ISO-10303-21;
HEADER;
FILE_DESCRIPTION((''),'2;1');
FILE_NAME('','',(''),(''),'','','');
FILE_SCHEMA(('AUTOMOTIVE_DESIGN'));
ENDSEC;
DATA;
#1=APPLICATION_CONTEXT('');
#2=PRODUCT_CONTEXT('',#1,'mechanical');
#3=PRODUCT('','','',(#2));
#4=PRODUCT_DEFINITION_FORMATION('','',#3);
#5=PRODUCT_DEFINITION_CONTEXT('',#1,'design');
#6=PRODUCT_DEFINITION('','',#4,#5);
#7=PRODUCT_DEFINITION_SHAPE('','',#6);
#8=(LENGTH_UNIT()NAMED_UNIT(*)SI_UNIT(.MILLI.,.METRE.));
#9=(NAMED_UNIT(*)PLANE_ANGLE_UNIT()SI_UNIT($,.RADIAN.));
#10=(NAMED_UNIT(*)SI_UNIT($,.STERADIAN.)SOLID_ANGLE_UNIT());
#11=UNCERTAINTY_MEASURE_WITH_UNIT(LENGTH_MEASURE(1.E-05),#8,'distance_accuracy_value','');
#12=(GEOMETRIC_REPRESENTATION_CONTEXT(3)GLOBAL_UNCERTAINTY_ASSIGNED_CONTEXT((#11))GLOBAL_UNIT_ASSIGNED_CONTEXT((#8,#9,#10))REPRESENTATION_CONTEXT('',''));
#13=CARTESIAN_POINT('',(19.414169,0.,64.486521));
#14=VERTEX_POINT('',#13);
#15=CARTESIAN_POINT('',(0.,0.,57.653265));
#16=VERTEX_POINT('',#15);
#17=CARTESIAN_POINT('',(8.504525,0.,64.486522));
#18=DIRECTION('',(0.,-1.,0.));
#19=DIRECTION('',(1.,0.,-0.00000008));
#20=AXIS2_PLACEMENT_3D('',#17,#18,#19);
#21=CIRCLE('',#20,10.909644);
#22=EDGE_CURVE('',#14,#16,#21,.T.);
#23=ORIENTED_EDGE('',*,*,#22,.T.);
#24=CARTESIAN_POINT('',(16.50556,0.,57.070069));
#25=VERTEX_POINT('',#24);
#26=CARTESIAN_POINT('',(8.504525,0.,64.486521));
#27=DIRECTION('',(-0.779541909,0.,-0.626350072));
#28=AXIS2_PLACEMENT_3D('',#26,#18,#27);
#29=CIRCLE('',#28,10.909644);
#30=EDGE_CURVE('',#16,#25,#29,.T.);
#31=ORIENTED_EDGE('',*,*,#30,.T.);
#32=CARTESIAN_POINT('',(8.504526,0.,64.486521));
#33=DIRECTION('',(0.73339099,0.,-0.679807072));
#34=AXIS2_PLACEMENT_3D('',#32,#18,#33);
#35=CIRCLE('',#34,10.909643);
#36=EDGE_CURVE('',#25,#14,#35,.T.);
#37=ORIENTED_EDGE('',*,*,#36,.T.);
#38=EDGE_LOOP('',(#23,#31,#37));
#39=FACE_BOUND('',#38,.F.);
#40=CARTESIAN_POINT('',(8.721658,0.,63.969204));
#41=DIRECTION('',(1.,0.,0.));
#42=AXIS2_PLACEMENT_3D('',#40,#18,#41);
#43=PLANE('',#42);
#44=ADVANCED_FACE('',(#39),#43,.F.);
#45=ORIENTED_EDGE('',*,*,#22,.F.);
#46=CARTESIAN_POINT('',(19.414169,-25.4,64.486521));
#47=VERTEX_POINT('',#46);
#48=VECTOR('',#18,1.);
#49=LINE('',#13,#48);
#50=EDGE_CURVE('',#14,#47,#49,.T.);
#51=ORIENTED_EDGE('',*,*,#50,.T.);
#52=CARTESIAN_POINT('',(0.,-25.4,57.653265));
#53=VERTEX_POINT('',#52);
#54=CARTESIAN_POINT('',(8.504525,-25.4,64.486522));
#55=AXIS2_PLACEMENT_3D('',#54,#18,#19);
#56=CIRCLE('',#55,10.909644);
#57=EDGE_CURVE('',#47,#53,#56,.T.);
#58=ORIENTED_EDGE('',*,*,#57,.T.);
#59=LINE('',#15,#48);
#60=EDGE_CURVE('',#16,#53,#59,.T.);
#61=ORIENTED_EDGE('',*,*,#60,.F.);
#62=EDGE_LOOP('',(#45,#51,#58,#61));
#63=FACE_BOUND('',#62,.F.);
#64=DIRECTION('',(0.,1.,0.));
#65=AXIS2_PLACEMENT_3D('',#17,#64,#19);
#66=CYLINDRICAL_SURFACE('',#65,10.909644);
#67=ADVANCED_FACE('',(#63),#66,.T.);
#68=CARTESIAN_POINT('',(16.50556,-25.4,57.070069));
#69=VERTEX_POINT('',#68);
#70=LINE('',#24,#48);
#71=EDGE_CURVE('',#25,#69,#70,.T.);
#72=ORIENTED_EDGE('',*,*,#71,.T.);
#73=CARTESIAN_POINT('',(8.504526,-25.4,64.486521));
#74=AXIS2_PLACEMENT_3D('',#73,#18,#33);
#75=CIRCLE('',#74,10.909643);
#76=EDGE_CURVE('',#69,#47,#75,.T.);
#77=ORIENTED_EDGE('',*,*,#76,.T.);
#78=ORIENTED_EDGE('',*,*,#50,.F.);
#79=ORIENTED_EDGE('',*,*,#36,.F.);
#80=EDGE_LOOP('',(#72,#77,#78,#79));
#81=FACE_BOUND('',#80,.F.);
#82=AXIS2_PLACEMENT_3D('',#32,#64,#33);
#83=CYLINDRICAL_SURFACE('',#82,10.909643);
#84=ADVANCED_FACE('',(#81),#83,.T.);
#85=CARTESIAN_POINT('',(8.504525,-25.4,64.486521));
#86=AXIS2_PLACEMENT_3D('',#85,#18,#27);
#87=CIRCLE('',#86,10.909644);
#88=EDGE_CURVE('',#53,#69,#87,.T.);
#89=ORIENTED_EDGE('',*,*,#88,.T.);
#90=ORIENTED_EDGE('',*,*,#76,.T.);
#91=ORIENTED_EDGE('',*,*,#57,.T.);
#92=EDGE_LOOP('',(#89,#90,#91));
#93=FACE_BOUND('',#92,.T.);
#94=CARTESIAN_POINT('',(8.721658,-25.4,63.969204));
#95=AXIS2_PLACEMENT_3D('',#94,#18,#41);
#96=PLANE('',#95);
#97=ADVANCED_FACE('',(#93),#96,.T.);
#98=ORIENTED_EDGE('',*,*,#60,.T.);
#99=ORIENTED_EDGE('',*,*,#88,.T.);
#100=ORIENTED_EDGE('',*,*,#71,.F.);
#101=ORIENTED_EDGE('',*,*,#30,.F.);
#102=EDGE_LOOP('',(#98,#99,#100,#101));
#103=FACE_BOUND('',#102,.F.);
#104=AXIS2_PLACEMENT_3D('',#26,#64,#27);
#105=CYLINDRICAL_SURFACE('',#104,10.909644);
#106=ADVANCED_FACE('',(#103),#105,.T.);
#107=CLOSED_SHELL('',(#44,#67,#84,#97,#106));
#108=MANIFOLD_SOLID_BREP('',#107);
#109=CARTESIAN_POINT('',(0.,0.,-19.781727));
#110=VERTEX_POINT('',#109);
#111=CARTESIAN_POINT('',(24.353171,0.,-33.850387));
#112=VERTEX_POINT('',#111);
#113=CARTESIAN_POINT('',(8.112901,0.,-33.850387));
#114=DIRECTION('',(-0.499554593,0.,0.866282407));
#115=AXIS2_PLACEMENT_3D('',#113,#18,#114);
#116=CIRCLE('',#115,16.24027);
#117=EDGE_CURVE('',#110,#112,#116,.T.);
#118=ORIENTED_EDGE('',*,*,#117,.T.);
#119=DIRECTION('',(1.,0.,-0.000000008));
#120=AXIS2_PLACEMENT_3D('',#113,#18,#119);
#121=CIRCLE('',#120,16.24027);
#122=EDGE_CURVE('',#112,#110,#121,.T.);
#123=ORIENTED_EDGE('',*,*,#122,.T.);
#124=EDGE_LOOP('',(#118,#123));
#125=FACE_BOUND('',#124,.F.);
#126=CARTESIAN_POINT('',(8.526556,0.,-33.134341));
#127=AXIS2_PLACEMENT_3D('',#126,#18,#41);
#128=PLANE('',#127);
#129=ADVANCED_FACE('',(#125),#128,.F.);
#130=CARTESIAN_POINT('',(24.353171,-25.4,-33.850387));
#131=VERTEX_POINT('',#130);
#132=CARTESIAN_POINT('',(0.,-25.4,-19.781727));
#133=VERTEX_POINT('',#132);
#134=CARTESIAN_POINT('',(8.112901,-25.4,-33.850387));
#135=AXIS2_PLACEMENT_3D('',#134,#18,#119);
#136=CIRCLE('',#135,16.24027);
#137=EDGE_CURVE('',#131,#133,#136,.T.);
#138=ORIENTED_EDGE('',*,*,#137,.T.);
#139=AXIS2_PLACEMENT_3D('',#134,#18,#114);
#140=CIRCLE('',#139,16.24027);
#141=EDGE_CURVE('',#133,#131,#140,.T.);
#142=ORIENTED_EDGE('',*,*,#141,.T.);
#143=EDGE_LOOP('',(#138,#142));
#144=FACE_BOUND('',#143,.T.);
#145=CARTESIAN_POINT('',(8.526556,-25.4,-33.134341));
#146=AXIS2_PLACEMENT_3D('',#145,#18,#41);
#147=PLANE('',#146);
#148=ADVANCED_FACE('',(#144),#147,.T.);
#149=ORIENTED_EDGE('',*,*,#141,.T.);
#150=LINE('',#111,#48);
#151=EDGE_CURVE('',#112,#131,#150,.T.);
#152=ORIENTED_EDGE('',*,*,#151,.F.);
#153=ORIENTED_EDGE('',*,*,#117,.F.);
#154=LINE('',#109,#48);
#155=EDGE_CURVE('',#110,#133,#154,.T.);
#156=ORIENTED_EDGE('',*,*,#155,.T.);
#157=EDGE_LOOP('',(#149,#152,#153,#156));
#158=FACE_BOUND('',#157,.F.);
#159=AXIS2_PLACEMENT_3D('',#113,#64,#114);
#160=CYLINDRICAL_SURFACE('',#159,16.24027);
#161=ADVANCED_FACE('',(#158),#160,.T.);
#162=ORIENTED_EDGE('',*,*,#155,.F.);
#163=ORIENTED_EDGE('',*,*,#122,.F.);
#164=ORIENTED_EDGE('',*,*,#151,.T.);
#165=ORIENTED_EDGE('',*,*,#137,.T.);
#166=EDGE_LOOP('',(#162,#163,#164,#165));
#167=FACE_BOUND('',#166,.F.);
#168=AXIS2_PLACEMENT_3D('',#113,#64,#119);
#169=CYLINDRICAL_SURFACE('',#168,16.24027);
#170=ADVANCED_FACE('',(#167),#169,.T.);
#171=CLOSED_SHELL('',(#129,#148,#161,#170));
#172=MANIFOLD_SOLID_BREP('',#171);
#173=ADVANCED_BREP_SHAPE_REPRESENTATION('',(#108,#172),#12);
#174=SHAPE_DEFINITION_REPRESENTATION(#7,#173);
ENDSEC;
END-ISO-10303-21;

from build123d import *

# Parameters (mm, degrees)
F1_DEPTH = 25.4


with BuildPart() as f1:
    # F0 (on Front) → F1 (new body)
    with BuildSketch(Plane.XZ):
        with BuildLine():
            ThreePointArc((24.353171, -33.850387), (16.236652, -19.787989), (0, -19.781727))
            ThreePointArc((0, -19.781727), (-0.010849, -47.912785), (24.353171, -33.850387))
        make_face()
        with BuildLine():
            ThreePointArc((19.414169, 64.486521), (4.882439, 74.777335), (0, 57.653265))
            ThreePointArc((0, 57.653265), (8.119291, 53.583681), (16.50556, 57.070069))
            ThreePointArc((16.50556, 57.070069), (18.66102, 60.503314), (19.414169, 64.486521))
        make_face()
    extrude(amount=F1_DEPTH)


solid = f1.part
